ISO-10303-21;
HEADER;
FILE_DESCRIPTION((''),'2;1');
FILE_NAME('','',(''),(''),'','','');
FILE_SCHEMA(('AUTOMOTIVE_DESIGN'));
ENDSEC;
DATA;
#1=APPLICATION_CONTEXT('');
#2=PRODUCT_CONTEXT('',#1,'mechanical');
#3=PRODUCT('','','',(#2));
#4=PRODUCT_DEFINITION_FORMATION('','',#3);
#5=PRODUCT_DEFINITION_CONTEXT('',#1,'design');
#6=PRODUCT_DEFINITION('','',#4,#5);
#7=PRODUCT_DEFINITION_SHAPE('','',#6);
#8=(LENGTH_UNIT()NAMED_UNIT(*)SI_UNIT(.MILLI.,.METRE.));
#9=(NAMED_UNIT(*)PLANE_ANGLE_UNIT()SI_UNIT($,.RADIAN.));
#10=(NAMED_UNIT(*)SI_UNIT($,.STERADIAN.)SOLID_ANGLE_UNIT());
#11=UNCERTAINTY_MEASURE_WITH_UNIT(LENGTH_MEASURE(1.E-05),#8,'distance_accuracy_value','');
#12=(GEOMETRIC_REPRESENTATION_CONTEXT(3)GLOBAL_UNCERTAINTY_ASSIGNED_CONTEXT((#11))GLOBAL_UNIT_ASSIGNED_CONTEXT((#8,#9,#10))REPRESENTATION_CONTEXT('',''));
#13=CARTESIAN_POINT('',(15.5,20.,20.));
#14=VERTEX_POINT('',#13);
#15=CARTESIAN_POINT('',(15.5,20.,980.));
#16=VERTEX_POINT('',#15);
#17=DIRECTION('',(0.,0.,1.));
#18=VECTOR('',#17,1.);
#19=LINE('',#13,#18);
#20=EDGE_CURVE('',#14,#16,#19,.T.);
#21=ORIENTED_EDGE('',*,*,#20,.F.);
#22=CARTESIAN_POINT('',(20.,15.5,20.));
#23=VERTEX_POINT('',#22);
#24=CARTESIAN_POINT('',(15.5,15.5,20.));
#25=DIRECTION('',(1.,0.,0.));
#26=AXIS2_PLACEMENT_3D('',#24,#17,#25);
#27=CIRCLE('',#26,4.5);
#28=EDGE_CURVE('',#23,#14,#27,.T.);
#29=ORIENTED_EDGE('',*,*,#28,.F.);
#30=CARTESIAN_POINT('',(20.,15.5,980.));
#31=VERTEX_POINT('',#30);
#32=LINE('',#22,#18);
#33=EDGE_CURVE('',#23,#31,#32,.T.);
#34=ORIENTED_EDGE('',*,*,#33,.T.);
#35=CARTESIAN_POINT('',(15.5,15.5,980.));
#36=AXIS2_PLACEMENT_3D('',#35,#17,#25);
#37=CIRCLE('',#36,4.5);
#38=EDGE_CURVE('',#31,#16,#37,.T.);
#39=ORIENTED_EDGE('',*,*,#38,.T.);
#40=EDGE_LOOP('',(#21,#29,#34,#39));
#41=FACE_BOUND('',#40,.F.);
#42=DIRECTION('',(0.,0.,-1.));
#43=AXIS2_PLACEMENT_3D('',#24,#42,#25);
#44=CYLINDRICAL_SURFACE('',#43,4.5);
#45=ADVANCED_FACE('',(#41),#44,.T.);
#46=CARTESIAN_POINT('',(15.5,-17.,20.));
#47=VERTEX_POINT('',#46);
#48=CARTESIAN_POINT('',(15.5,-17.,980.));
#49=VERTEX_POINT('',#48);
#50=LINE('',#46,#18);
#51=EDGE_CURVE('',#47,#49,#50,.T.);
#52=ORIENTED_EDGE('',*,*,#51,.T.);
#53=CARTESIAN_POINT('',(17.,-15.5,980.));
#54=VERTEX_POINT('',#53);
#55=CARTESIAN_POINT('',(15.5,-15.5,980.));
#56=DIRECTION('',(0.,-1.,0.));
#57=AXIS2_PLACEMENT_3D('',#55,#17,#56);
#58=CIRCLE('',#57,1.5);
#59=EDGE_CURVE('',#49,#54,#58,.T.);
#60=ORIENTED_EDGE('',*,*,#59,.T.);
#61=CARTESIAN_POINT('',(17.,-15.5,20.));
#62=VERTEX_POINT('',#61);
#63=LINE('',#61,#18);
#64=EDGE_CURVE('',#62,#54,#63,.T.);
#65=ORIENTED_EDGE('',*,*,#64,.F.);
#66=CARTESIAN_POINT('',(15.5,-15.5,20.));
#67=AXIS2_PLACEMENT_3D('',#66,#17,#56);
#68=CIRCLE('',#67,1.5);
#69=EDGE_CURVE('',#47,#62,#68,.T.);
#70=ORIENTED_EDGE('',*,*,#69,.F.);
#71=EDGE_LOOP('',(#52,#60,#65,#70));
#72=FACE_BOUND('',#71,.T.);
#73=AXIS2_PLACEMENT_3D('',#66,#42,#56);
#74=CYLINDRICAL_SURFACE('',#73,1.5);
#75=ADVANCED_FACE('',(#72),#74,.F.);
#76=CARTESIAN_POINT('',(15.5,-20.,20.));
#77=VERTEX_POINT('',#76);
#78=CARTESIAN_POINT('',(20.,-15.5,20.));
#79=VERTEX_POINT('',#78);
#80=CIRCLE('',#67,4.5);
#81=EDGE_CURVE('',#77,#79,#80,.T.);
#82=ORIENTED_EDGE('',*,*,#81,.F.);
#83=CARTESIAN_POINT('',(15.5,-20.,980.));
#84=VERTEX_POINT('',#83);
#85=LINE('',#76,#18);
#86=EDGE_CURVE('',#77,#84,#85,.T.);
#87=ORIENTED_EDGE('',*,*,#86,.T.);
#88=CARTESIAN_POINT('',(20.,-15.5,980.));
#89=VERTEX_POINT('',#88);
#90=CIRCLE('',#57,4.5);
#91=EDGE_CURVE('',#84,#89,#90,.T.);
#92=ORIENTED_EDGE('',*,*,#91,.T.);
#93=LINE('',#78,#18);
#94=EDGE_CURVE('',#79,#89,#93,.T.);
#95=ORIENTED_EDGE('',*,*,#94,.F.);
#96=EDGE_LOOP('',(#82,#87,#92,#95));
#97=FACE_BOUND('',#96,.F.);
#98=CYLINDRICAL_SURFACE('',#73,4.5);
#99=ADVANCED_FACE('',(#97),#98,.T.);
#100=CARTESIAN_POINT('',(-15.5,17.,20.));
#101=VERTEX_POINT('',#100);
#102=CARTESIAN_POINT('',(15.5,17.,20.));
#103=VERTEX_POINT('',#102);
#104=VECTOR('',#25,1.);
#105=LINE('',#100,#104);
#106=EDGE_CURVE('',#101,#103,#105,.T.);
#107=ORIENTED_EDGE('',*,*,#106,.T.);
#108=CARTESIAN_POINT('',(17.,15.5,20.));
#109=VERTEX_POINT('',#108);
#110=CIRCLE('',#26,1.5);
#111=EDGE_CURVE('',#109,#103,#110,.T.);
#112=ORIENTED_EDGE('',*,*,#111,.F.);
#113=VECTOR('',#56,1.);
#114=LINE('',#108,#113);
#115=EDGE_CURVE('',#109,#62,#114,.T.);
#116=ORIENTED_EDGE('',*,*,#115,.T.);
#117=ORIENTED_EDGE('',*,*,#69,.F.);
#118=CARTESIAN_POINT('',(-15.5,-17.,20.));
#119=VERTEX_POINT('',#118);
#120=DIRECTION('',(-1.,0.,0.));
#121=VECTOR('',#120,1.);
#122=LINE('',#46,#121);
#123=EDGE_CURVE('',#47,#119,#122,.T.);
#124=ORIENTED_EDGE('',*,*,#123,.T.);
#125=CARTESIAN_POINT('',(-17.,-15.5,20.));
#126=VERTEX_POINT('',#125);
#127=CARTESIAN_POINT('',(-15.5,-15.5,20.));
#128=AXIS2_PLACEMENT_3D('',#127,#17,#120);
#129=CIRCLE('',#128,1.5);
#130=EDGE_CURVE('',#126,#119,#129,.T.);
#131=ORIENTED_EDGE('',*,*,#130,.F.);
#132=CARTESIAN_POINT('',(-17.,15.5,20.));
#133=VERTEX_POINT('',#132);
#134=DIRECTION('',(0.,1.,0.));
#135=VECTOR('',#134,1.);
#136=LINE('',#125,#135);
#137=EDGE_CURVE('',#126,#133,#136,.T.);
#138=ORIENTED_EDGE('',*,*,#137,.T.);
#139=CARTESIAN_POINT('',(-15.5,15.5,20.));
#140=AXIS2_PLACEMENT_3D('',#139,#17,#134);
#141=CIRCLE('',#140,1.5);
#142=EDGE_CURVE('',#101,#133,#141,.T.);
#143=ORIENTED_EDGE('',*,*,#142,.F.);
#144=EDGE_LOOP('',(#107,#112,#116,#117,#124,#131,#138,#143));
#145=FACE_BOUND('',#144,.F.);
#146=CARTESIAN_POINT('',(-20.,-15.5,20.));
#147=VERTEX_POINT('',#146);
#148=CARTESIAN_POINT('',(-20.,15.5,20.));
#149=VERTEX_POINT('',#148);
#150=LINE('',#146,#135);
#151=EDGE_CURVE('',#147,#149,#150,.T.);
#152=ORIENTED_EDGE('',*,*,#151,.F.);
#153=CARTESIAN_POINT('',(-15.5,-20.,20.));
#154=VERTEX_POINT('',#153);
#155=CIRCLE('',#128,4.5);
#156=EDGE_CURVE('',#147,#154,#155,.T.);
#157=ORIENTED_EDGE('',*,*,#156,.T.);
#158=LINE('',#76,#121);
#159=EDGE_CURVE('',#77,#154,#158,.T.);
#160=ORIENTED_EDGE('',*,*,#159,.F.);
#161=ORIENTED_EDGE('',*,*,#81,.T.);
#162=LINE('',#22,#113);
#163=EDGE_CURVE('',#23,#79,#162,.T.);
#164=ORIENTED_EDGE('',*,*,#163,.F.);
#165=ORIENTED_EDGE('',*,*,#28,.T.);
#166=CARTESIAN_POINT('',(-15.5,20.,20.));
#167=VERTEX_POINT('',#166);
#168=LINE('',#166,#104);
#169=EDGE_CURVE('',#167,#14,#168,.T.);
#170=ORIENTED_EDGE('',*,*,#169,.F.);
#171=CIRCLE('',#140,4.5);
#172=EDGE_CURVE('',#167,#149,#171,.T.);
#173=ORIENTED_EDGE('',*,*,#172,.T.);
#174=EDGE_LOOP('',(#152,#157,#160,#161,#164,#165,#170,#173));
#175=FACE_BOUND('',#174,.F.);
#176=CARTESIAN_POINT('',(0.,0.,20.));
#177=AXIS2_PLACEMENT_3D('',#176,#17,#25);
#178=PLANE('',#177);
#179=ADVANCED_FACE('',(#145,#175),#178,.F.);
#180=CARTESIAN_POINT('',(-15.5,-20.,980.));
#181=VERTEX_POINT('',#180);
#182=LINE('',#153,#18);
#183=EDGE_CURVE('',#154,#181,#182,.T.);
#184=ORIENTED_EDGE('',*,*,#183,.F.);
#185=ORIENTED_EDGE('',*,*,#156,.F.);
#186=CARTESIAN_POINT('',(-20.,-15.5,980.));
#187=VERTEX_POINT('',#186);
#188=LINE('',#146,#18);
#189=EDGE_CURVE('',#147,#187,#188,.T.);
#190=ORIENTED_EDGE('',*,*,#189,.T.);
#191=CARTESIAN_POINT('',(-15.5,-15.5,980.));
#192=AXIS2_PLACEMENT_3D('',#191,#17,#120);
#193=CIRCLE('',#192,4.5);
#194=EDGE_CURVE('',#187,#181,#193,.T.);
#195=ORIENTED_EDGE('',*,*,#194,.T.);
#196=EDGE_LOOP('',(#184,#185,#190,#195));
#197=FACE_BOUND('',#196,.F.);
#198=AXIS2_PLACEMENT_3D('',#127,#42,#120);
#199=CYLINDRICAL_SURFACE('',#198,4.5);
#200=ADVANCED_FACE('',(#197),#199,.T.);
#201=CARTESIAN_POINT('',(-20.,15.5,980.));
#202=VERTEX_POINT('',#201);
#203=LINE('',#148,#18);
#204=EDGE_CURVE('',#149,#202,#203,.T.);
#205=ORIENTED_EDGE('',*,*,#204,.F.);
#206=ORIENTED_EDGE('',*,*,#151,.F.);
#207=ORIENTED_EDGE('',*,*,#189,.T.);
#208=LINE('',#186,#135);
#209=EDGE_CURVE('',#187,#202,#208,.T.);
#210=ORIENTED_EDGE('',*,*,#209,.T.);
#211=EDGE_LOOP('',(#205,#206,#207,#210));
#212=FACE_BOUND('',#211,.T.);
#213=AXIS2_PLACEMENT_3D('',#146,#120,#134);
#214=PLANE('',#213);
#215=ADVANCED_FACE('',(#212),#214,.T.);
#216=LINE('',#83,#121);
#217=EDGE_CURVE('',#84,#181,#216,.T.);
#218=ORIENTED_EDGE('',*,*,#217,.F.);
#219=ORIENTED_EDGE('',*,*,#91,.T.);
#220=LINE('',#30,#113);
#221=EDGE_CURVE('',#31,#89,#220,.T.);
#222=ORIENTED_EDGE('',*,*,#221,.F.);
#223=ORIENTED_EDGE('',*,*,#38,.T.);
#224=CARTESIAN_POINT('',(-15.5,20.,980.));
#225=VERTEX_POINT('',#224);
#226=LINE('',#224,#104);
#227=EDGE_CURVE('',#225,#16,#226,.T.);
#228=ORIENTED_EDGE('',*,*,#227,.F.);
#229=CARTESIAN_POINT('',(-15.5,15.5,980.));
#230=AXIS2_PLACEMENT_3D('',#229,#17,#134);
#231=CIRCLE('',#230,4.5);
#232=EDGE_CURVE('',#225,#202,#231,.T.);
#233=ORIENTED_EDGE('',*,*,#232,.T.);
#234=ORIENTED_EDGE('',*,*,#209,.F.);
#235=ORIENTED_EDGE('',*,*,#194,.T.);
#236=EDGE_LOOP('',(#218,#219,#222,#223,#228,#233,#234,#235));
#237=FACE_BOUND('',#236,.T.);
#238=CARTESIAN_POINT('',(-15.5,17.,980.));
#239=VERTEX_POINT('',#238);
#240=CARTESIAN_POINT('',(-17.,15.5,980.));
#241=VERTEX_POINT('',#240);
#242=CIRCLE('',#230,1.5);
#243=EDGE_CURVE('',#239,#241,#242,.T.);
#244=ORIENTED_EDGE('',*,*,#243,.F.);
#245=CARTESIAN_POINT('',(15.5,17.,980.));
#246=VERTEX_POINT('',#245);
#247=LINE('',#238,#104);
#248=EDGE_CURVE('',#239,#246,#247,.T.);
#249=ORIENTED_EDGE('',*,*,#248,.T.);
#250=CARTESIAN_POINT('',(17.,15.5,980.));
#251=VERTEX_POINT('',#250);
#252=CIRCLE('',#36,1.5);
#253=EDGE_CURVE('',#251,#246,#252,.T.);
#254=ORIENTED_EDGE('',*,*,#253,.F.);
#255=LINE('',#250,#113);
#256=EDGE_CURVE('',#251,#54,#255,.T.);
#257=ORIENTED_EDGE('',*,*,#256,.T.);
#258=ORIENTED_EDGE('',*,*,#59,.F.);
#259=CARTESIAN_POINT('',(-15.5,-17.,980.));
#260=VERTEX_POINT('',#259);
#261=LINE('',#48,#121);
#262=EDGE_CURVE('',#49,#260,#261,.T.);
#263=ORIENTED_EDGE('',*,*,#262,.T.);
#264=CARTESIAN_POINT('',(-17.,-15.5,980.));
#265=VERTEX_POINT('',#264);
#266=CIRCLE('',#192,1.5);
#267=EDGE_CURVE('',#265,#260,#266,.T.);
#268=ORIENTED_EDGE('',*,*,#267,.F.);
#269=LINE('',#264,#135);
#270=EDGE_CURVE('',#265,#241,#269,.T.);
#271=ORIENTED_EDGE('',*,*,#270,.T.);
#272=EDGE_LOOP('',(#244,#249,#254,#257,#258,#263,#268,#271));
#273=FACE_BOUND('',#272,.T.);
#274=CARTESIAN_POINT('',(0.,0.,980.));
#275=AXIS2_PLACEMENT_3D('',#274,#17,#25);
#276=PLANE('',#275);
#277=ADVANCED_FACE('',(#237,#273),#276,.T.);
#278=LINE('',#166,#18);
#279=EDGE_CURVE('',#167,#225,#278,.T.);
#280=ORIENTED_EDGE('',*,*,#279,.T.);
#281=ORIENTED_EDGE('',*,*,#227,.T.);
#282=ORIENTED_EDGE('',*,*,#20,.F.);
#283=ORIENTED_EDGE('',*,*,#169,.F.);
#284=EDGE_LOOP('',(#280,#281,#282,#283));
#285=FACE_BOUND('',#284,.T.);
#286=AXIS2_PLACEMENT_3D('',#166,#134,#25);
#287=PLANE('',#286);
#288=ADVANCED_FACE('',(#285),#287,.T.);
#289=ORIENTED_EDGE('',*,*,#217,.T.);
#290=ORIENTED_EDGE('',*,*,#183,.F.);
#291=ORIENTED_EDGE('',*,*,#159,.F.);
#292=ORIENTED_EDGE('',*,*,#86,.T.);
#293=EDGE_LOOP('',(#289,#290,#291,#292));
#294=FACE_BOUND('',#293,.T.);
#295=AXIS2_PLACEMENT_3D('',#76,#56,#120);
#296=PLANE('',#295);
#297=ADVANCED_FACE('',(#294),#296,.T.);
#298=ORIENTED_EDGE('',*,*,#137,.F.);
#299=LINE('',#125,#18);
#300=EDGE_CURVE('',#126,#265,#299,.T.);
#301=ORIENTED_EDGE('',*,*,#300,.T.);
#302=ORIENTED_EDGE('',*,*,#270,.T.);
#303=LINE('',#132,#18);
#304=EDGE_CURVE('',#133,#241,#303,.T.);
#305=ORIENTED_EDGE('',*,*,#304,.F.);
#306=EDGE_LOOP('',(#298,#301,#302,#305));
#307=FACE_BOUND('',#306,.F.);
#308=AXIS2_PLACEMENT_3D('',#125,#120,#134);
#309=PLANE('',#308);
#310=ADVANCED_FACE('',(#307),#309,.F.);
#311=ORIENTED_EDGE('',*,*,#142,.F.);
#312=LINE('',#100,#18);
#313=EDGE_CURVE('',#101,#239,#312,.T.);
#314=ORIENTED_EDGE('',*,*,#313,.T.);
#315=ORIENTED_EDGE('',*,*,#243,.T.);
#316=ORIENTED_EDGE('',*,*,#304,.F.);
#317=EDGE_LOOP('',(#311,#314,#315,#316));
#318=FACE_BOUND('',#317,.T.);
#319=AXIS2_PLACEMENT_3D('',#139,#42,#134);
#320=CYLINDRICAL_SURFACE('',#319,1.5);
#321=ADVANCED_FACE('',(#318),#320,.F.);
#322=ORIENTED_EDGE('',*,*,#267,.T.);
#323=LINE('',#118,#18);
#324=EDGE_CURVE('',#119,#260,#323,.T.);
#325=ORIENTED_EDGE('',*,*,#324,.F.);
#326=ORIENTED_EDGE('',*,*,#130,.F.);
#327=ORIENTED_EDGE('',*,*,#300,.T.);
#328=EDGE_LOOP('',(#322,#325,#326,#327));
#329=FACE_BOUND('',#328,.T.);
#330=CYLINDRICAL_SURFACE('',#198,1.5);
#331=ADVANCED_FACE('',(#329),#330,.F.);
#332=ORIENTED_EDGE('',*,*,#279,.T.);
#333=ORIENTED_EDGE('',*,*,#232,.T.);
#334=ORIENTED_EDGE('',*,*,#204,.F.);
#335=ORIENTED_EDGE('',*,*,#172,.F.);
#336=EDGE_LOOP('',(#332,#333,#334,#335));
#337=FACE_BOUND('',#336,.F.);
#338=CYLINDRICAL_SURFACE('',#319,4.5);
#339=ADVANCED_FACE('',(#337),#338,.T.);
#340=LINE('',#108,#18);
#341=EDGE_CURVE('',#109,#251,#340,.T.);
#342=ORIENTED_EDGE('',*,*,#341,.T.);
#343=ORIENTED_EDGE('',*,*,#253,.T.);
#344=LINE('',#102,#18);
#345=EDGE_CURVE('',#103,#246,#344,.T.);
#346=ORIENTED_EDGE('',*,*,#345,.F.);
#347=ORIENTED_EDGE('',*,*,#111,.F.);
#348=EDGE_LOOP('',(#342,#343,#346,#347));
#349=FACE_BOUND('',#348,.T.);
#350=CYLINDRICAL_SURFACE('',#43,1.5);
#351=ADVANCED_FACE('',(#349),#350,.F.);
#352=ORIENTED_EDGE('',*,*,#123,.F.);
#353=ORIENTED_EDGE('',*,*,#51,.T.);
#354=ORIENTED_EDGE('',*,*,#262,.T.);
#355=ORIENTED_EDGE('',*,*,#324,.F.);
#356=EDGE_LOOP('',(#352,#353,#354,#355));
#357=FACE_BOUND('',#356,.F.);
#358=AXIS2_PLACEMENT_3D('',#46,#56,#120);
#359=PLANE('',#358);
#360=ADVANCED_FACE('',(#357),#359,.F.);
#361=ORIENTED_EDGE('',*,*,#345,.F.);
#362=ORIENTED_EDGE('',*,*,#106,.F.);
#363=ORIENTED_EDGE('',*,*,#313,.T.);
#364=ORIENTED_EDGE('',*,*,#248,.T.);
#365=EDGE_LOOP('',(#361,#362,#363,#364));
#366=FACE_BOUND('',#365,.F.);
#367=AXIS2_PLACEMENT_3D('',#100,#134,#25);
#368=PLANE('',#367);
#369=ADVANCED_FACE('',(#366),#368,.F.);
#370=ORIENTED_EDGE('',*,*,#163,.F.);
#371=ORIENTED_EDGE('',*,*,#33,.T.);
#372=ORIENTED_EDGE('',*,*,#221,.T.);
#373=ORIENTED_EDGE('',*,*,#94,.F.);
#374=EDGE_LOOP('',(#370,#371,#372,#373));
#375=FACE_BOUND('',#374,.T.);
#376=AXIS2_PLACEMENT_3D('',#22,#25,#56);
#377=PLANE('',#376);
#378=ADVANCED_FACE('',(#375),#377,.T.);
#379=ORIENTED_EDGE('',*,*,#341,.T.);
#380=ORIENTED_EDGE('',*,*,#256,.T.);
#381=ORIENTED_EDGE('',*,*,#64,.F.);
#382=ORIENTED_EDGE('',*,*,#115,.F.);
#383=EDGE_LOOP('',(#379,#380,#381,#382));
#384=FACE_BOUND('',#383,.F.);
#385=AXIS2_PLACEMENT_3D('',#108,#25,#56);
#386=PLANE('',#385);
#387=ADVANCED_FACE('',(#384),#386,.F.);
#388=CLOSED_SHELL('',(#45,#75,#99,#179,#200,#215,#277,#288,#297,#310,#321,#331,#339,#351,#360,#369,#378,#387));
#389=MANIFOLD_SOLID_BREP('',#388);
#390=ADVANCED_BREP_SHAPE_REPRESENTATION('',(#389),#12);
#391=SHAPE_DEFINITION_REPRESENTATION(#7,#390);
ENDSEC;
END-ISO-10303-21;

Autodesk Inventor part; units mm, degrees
ref_plane "Start Plane" through (0, 0, 20) normal (0, 0, 1) x (1, 0, 0)
ref_plane "End Plane" through (0, 0, 980) normal (0, 0, 1) x (1, 0, 0)
sketch "Sketch" plane through (0, 0, 0) normal (0, 0, 1) x (1, 0, 0)
  line L0 (-20, -15.5) -> (-20, 15.5)
  line L1 (-15.5, 20) -> (15.5, 20)
  line L2 (20, 15.5) -> (20, -15.5)
  line L3 (15.5, -20) -> (-15.5, -20)
  arc A0 (-20, -15.5) -> (-15.5, -20) centre (-15.5, -15.5) ccw
  arc A1 (-15.5, 20) -> (-20, 15.5) centre (-15.5, 15.5) ccw
  arc A2 (20, 15.5) -> (15.5, 20) centre (15.5, 15.5) ccw
  arc A3 (15.5, -20) -> (20, -15.5) centre (15.5, -15.5) ccw
  arc A4 (-15.5, 17) -> (-17, 15.5) centre (-15.5, 15.5) ccw
  line L4 (-15.5, 17) -> (15.5, 17)
  arc A5 (17, 15.5) -> (15.5, 17) centre (15.5, 15.5) ccw
  line L5 (17, 15.5) -> (17, -15.5)
  arc A6 (15.5, -17) -> (17, -15.5) centre (15.5, -15.5) ccw
  line L6 (15.5, -17) -> (-15.5, -17)
  arc A7 (-17, -15.5) -> (-15.5, -17) centre (-15.5, -15.5) ccw
  line L7 (-17, -15.5) -> (-17, 15.5)
  line L8 (0, 29.3048) -> (0, -29.3048) construction
  line L9 (-29.3048, 0) -> (29.3048, 0) construction
  dimension "d7" = 4.5
  dimension "d10" = 40
  dimension "d11" = 40
  dimension "d12" = 3
  dimension "d15" = 20
  dimension "d16" = 20
extrude "Body" add sketch "Sketch" along normal up to surface (960 mm away) from surface at 20
sketch "Sketch3" plane through (0, 0, 0) normal (0, 0, 1) x (1, 0, 0)
  line L0 (0, 0) -> (10, 0)
ref_plane "Work Plane3" through (0, 0, 0) normal (0, -1, 0) x (1, 0, 0)
ref_plane "Work Plane4" through (-15.5, 1600, 20) normal (0, 0, -1) x (-1, 0, 0)
split "Split1" plane through (-15.5, 1600, 20) removes the side toward (0, 0, -1)
ref_plane "Work Plane5" through (15.5, 1600, 980) normal (0, 0, 1) x (1, 0, 0)
split "Split2" plane through (15.5, 1600, 980) removes the side toward (0, 0, 1)
sketch "Sketch4" plane through (0, 0, 0) normal (0, -1, 0) x (1, 0, 0)
  line L0 (-2, 20) -> (12, 20) projected
  line L1 (-2, 980) -> (12, 980) projected
  dimension "d18" = 960
equation "\"d7\" = G_IR"
equation "\"d10\" = G_H"
equation "\"d11\" = G_W"
equation "\"d12\" = G_T"
equation "\"d15\" = 0.5 * d10"
equation "\"d16\" = 0.5 * d11"
equation "\"d3\" = G_L"
equation "\"G_W\" = 40"
equation "\"G_H\" = 40"
equation "\"G_T\" = 3"
equation "\"G_IR\" = 4.5"
equation "\"G_L\" = d18"
properties part number "ISO 12633-2 - 40x40x3 - 960" material "Steel, Mild"
